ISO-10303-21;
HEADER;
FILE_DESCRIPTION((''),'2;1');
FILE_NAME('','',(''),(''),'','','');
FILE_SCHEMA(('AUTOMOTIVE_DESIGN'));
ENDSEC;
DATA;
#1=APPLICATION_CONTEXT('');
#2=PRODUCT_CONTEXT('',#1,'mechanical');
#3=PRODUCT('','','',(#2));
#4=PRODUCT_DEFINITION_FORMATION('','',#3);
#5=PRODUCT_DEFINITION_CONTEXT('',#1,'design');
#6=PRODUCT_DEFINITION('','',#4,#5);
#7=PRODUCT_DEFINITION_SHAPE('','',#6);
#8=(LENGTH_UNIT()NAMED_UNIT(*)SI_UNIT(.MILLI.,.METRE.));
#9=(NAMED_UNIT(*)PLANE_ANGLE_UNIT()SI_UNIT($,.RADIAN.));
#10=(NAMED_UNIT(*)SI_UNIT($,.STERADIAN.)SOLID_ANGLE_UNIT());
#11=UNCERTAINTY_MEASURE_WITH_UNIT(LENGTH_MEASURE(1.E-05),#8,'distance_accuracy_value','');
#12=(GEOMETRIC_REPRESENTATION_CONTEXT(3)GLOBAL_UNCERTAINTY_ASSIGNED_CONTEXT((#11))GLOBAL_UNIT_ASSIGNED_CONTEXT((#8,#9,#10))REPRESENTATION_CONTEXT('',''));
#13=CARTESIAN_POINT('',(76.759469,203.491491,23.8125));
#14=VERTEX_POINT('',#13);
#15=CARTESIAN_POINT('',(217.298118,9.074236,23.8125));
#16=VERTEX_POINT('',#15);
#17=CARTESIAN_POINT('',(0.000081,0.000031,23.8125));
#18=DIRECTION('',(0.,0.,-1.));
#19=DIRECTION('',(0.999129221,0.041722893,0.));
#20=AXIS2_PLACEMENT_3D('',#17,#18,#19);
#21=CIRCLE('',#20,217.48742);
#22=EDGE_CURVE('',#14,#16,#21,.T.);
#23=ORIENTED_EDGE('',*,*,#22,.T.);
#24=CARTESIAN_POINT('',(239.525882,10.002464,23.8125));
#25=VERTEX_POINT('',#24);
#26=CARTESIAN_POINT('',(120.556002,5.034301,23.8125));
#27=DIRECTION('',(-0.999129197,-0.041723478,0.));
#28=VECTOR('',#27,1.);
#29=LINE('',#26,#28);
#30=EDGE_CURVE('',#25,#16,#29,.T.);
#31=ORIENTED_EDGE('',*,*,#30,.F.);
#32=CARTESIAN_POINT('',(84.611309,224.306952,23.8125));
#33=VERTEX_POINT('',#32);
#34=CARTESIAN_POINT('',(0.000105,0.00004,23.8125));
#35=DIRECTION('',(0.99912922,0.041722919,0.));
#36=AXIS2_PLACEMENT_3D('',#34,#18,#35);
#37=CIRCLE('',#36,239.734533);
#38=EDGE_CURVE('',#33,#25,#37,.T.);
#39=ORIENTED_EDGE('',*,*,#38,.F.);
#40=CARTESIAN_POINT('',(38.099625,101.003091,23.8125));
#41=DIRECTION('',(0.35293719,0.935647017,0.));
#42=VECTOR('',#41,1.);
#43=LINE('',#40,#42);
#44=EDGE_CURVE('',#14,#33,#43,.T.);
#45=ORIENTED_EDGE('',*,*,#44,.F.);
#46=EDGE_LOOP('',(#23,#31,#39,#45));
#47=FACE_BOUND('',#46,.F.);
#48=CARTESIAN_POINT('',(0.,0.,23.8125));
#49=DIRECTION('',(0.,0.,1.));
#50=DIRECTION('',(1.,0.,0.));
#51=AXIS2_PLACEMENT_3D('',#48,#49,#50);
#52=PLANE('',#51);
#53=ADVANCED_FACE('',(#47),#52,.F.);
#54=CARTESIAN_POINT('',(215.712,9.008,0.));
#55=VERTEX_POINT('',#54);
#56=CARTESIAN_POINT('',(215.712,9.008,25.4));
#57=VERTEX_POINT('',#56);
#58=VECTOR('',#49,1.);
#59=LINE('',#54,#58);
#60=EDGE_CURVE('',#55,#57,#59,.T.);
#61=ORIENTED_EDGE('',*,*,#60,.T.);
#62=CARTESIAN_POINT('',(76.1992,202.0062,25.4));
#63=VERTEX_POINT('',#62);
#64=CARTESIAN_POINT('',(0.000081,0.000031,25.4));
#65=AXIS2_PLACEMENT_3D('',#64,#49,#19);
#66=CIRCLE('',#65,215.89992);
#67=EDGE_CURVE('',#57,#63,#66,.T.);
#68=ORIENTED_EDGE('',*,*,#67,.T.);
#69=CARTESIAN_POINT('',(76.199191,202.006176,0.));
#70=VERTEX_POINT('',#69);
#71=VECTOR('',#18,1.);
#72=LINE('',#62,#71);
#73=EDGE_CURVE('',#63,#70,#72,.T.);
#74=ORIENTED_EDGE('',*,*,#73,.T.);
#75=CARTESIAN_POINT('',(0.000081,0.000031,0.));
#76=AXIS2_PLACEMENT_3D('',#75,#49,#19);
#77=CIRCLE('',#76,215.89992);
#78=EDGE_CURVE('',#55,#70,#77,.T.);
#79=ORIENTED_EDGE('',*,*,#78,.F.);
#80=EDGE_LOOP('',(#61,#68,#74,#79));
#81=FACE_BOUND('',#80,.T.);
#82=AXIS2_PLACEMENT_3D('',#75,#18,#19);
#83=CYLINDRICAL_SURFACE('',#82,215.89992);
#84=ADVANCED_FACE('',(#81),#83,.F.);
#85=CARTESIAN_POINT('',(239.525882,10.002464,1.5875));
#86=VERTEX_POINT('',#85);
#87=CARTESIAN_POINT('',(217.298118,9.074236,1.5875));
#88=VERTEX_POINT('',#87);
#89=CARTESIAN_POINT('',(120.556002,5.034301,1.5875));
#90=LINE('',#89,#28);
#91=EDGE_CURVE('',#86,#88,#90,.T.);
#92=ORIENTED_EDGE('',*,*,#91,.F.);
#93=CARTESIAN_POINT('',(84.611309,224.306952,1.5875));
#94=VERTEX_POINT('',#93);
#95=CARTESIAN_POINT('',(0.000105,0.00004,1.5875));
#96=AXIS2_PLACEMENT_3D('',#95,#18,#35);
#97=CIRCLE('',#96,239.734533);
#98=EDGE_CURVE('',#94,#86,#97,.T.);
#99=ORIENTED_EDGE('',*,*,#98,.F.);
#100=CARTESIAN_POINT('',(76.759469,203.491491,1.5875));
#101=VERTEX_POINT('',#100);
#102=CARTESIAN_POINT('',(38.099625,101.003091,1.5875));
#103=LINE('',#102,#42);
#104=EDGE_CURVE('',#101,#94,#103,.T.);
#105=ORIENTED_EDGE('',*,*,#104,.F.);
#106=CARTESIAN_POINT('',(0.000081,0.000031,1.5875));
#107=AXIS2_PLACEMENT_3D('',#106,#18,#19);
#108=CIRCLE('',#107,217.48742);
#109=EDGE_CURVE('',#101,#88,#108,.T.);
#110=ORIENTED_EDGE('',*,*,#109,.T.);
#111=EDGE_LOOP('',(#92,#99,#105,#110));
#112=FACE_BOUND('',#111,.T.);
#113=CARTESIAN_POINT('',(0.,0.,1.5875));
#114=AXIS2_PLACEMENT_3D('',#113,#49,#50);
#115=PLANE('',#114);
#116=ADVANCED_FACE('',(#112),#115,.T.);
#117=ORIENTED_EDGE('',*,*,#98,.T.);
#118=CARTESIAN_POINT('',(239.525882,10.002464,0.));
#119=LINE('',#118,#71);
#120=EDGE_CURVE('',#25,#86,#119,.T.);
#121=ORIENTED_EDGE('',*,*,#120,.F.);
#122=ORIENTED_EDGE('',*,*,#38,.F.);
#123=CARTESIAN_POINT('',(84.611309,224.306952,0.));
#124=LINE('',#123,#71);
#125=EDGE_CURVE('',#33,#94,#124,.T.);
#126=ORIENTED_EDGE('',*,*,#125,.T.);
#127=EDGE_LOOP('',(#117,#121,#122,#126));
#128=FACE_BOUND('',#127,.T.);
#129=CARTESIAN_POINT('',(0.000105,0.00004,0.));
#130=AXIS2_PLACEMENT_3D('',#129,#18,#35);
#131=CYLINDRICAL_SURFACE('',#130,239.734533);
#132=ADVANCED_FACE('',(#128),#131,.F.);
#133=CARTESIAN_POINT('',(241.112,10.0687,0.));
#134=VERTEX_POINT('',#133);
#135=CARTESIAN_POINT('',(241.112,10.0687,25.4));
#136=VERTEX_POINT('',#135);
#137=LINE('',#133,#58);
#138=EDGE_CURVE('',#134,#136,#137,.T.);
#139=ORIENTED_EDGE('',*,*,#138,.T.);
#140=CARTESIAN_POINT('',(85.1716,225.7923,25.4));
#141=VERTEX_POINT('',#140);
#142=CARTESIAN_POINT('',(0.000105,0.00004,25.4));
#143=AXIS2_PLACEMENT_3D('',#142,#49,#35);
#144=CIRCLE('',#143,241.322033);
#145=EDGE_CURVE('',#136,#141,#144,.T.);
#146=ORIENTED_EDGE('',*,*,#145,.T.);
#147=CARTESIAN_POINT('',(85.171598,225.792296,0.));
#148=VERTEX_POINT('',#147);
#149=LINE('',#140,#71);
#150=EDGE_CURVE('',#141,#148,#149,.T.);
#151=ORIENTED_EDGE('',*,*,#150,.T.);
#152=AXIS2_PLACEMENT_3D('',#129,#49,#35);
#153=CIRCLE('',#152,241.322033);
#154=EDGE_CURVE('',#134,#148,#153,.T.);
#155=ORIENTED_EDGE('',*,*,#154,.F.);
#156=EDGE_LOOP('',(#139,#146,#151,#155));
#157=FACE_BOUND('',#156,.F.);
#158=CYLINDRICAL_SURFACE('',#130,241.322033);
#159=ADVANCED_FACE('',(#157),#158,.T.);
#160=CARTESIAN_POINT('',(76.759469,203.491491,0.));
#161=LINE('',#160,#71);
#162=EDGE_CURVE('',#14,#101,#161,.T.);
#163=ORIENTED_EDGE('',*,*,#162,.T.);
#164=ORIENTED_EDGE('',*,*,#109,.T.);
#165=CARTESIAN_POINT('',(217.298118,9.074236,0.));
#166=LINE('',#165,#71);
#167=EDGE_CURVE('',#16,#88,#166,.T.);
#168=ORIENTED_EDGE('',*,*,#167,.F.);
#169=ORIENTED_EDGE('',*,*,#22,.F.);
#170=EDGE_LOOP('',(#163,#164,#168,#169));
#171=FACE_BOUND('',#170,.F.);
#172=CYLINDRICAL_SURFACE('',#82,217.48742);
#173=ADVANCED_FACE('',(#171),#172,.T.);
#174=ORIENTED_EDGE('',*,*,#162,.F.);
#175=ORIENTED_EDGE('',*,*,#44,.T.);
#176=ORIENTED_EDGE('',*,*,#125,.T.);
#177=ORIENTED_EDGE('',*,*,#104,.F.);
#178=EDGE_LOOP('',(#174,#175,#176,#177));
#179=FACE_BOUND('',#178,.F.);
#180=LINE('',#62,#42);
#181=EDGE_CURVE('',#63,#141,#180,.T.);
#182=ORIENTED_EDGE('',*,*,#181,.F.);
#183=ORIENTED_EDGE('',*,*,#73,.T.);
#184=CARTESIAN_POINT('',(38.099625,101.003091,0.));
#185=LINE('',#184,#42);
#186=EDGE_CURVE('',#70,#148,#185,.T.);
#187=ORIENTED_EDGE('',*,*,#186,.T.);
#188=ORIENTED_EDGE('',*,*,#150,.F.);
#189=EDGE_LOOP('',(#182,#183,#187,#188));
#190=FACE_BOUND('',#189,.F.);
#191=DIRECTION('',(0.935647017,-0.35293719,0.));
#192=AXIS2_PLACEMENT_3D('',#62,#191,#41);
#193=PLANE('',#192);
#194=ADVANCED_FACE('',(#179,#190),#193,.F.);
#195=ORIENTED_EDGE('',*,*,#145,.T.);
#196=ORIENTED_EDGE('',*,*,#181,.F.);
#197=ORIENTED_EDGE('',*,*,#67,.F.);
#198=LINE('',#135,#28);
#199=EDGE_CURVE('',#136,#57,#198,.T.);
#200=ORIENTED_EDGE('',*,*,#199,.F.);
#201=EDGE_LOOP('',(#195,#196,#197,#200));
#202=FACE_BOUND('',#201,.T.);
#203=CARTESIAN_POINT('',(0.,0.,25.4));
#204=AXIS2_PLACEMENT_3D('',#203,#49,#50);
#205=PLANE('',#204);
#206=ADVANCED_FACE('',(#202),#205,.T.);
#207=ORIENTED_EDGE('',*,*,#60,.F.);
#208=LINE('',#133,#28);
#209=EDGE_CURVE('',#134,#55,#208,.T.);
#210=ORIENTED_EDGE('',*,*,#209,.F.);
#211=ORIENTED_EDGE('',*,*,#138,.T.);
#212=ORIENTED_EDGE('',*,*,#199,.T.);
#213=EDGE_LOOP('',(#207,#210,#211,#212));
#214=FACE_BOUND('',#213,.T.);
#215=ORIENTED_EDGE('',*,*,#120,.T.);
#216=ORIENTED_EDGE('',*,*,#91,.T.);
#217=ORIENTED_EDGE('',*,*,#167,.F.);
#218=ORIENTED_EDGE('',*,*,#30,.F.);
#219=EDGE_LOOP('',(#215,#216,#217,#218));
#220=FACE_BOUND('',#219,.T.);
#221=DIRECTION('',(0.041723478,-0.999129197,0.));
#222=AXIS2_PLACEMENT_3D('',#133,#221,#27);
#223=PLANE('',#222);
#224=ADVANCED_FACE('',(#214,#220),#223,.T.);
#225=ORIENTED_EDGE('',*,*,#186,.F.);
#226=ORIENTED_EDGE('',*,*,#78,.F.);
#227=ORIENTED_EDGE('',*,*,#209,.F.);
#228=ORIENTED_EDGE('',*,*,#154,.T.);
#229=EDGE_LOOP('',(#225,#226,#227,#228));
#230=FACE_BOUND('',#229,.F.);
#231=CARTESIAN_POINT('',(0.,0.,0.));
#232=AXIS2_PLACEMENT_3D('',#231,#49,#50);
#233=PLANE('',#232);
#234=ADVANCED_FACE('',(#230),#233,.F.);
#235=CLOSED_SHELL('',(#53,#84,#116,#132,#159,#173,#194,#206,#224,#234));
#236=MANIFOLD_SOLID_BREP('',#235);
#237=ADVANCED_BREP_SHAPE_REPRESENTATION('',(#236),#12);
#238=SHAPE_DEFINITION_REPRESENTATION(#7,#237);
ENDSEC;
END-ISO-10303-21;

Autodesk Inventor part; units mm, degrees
ref_plane "YZ Plane" through (0, 0, 0) normal (1, 0, 0) x (0, 1, 0)
ref_plane "XZ Plane" through (0, 0, 0) normal (0, 1, 0) x (-1, 0, 0)
ref_plane "XY Plane" through (0, 0, 0) normal (0, 0, 1) x (1, 0, 0)
sketch "Sketch1" plane through (0, 0, 0) normal (0, 0, 1) x (1, 0, 0)
  arc A0 (241.112, 10.0687) -> (56.7808, 234.547) centre (0, 0) ccw
  arc A1 (215.712, 9.008) -> (50.7992, 209.8386) centre (0, 0) ccw
  line L0 (241.112, 10.0687) -> (215.712, 9.008)
  line L1 (56.7808, 234.547) -> (50.7992, 209.8386)
  line L2 (56.7808, 234.547) -> (0, 0) construction
  line L3 (0, 0) -> (241.112, 10.0687) construction
  point P0 (0, 0)
  dimension "d0" = 74
  dimension "d1" = 25.4
  dimension "d2" = 215.9
extrude "Extrusion1" add sketch "Sketch1" along normal blind 25.4
shell "Shell1" thickness 1.5875 removed faces 2 at (232.6453, 9.7152, 8.4667) at (52.7931, 218.0748, 8.4667)
sketch "Sketch2" plane through (0, 0, 25.4) normal (0, 0, 1) x (1, 0, 0)
  line L0 (50.7992, 209.8386) -> (56.7808, 234.547) projected
  arc A0 (215.712, 9.008) -> (50.7992, 209.8386) centre (0, 0) ccw projected
  line L1 (56.7808, 234.547) -> (50.7992, 209.8386)
  arc A1 (76.1992, 202.0062) -> (50.7992, 209.8386) centre (0, 0) ccw
  arc A2 (85.1716, 225.7923) -> (56.7808, 234.547) centre (0, 0) ccw
  line L2 (76.1992, 202.0062) -> (85.1716, 225.7923)
  line L3 (0, 0) -> (76.1992, 202.0062) construction
  line L4 (50.7992, 209.8386) -> (76.1992, 202.0062) construction
  dimension "d6" = 25.4
extrude "Extrusion2" cut sketch "Sketch2" against normal through all
properties part number "Frame_BottomGuideRail"
